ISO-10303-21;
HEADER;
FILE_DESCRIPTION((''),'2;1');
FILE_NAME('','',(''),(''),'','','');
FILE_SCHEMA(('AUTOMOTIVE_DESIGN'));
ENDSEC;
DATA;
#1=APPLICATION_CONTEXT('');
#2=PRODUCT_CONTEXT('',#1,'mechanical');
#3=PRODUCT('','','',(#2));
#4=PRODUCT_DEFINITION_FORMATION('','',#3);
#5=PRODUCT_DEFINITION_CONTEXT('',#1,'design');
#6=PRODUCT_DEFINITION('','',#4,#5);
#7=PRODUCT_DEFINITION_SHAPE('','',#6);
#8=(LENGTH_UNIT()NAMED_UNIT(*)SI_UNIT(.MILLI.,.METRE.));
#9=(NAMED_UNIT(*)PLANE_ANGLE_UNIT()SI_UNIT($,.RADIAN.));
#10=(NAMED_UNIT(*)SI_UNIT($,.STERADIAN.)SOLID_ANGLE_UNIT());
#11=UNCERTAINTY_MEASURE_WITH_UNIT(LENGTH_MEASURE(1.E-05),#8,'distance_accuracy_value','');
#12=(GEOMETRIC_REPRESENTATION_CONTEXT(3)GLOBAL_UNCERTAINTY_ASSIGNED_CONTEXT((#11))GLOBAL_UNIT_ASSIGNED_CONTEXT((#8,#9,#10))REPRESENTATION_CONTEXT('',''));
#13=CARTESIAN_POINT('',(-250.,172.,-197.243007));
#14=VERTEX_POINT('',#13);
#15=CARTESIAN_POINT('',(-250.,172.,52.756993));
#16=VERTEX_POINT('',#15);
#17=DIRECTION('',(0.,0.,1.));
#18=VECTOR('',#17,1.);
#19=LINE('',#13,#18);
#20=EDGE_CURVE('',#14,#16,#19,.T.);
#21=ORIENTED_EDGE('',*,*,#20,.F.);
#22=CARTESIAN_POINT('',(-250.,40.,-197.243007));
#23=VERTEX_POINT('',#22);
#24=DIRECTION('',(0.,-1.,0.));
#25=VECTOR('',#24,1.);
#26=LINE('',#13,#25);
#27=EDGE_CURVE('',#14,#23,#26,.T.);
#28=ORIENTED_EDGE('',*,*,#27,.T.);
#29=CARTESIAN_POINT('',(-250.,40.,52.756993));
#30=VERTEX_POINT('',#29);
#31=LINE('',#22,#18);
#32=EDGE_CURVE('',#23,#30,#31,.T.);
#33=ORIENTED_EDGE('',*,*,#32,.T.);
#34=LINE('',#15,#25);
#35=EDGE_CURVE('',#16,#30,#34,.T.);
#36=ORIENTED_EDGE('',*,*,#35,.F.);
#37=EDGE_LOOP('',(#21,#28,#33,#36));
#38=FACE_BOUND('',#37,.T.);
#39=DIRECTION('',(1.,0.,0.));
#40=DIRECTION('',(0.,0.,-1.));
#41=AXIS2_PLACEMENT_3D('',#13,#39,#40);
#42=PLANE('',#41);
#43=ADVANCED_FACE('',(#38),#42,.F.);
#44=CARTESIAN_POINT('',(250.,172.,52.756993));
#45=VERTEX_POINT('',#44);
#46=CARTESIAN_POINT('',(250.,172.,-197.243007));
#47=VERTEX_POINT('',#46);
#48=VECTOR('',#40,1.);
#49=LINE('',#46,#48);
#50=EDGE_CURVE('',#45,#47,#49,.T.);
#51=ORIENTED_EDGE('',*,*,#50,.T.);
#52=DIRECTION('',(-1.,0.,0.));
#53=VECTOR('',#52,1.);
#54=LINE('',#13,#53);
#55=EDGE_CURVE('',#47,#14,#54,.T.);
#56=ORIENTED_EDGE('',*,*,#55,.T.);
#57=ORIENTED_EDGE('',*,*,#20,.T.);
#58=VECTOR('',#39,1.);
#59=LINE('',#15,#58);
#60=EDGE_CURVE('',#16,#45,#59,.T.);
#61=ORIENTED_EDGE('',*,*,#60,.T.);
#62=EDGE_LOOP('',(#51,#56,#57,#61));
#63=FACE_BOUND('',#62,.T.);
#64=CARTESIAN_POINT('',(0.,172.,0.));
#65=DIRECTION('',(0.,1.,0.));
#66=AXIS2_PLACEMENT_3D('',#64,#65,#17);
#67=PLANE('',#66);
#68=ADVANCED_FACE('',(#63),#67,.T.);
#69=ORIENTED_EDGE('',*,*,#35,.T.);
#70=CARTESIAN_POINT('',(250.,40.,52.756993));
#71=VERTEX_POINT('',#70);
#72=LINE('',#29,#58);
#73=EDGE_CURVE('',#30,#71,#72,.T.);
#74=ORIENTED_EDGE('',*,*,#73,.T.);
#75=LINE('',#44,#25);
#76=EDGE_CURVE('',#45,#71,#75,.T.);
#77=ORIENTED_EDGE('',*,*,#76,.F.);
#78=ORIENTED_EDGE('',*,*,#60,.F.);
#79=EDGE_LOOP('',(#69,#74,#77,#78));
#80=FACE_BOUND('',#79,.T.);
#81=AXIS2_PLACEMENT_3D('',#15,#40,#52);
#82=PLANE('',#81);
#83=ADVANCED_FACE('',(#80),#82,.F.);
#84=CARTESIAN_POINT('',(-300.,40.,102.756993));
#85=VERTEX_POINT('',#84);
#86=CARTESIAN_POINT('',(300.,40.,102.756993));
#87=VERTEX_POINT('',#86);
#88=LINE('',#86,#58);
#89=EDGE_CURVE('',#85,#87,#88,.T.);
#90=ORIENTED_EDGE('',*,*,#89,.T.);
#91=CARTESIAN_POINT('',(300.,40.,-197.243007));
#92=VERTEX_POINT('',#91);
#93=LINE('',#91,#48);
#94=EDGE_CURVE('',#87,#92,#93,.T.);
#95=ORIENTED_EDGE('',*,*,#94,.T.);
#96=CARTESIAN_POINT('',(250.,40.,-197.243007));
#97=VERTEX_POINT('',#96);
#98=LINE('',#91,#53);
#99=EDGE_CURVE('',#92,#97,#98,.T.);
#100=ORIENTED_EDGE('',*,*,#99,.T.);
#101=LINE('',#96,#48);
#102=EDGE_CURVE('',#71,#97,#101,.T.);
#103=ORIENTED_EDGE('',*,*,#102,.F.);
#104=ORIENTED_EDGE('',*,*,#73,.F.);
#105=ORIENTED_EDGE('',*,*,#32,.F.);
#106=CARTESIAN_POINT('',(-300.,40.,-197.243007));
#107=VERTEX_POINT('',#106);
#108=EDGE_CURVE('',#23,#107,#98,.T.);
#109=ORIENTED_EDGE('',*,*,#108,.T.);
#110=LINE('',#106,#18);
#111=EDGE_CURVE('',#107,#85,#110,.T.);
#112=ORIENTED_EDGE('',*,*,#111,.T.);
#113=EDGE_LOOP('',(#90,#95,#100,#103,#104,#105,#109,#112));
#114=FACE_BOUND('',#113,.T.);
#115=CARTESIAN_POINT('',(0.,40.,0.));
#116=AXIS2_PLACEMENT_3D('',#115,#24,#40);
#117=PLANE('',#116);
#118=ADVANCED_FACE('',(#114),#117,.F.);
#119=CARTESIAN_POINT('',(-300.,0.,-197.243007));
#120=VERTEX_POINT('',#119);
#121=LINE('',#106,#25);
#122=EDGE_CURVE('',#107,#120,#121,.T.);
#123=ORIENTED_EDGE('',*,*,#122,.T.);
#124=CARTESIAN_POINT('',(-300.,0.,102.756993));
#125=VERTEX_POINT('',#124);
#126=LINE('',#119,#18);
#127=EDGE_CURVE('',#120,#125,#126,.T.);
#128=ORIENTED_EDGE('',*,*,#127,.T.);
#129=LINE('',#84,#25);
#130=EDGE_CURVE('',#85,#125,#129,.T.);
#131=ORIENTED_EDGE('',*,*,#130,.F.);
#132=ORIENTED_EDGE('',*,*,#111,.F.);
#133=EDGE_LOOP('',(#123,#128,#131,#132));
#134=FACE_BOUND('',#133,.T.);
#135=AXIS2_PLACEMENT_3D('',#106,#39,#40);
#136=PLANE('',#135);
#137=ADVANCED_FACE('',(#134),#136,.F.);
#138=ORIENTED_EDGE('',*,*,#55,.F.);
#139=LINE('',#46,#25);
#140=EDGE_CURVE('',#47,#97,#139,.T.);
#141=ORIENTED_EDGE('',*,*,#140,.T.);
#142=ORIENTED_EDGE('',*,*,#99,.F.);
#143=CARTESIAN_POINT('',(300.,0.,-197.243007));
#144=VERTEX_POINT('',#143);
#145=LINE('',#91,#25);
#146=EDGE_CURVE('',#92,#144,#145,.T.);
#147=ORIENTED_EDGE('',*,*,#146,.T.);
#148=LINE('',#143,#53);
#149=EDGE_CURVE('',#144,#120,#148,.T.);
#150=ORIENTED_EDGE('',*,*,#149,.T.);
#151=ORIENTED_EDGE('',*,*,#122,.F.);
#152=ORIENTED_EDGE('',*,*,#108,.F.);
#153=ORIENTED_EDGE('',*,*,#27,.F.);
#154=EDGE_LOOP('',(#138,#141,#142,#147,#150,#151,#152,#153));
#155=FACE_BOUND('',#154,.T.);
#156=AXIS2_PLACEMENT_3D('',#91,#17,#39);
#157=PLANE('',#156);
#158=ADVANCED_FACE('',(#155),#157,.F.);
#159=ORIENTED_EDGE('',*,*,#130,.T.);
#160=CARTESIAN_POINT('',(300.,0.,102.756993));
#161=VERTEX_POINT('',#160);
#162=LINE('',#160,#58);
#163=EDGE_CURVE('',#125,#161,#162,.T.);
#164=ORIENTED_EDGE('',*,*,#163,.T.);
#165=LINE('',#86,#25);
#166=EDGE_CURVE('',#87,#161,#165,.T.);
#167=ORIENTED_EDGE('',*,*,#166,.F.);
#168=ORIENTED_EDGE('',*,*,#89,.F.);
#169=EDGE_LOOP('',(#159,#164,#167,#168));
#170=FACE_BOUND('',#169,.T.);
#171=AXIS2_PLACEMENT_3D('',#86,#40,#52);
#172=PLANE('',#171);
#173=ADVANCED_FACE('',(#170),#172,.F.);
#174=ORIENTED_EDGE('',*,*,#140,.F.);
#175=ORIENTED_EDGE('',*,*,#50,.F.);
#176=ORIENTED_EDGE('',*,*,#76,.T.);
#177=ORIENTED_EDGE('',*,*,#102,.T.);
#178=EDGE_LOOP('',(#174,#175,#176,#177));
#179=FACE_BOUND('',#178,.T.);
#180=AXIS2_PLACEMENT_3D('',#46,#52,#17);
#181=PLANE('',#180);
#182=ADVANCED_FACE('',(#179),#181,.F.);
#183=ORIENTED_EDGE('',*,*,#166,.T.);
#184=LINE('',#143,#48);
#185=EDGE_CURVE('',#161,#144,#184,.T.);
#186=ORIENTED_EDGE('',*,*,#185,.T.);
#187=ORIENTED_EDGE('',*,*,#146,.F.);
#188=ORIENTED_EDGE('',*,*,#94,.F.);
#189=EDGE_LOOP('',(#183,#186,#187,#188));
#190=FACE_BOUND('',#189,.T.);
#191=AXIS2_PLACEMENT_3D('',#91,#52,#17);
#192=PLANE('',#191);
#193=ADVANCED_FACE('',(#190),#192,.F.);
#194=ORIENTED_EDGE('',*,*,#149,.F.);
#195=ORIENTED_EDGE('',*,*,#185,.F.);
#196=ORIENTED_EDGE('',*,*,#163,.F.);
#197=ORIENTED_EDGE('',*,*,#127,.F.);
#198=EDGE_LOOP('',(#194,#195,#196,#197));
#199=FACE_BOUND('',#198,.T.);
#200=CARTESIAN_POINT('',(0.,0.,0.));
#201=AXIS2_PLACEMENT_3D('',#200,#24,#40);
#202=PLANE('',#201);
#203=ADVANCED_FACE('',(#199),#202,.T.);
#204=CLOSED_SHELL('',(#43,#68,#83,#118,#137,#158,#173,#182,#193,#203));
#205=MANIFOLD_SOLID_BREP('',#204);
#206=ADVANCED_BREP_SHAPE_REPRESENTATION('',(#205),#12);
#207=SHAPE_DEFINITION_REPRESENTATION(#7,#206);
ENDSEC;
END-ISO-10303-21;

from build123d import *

# Parameters (mm, degrees)
SKETCH_1_W      = 600
SKETCH_1_H      = 300
EXTRUDE_1_DEPTH = 40
SKETCH_2_W      = 500
SKETCH_2_H      = 250
EXTRUDE_2_DEPTH = 132


with BuildPart() as part:
    # Эскиз1 → Бобышка-Вытянуть1 (new body)
    with BuildSketch(Plane(origin=(0, 0, 0), x_dir=(1, 0, 0), z_dir=(0, 1, 0))):
        with Locations((0, 47.243006581)):
            Rectangle(SKETCH_1_W, SKETCH_1_H)
    extrude(amount=EXTRUDE_1_DEPTH)

    # Эскиз2 → Бобышка-Вытянуть2 (add)
    with BuildSketch(Plane(origin=(0, 40, 0), x_dir=(1, 0, 0), z_dir=(0, 1, 0))):
        with Locations((0, 72.243006581)):
            Rectangle(SKETCH_2_W, SKETCH_2_H)
    extrude(amount=EXTRUDE_2_DEPTH)


solid = part.part
